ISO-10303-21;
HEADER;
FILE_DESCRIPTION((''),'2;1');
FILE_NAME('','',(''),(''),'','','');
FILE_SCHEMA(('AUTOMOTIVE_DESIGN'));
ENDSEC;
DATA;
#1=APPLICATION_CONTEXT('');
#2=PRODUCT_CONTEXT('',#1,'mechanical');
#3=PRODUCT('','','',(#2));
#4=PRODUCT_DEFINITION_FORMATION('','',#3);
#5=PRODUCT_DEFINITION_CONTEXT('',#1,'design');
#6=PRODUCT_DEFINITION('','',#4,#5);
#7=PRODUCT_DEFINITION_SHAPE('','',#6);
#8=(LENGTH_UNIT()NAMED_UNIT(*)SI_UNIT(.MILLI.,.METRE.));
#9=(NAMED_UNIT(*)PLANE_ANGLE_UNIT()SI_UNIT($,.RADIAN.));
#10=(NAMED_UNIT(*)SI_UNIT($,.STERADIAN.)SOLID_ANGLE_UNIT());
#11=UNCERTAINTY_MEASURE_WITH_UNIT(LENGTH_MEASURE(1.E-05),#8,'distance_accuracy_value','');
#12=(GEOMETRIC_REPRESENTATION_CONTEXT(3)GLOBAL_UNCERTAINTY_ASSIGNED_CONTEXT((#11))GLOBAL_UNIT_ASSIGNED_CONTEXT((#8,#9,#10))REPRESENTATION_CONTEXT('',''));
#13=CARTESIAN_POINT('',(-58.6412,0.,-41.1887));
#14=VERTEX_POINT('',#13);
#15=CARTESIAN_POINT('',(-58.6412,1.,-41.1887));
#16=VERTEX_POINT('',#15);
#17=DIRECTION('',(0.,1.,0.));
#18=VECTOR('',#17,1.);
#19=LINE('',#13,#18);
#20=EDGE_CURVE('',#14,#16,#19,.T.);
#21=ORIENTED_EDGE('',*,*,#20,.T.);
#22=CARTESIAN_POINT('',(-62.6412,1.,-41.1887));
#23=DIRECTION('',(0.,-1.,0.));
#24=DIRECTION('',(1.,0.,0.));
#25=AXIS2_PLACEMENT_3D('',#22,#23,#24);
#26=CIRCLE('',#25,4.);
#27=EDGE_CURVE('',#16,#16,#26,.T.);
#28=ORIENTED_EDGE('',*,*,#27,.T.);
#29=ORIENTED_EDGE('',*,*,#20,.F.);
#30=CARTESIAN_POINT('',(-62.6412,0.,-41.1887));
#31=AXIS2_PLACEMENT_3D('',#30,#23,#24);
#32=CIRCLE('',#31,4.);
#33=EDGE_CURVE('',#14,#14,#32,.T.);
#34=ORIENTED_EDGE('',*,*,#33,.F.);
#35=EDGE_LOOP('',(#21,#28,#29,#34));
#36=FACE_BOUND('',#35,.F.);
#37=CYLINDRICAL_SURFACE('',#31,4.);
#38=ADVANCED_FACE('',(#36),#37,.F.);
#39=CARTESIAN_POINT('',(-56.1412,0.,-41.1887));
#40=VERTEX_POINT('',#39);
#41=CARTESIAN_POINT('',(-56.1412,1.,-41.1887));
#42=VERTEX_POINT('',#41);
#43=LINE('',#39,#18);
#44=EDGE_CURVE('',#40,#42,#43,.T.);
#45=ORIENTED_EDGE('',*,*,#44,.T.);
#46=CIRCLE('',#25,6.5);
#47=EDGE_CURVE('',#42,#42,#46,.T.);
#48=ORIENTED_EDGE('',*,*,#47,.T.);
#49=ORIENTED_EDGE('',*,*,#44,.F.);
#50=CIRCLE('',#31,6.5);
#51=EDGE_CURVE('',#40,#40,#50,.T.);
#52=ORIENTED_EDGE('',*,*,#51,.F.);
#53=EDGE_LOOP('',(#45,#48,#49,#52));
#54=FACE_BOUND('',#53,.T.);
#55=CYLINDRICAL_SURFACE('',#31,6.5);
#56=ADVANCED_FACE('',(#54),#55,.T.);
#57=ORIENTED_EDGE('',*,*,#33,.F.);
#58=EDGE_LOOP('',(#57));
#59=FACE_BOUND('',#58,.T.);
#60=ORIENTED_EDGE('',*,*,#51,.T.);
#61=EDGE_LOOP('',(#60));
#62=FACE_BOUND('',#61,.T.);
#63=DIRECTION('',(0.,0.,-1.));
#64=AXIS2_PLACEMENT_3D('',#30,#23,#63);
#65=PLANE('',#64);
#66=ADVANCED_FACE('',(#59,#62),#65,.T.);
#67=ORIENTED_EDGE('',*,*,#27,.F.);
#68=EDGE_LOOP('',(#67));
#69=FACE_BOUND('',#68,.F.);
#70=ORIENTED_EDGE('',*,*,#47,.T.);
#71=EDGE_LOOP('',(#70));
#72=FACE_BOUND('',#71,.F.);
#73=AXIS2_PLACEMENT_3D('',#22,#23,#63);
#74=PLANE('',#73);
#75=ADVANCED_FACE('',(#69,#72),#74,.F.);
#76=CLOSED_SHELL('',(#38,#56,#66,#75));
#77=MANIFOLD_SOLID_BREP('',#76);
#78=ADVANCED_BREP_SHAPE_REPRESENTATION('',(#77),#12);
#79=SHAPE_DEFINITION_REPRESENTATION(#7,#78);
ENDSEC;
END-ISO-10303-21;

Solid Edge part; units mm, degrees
sketch "Sketch1" plane through (10.8674, 0, 10.8674) normal (0, -1, 0) x (1, 0, 0)
  circle A0 centre (-73.5086, -52.0561) radius 6.5
  circle A1 centre (-73.5086, -52.0561) radius 4
extrude "Protrusion1" add sketch "Sketch1" against normal blind 1
properties material "Steel"
